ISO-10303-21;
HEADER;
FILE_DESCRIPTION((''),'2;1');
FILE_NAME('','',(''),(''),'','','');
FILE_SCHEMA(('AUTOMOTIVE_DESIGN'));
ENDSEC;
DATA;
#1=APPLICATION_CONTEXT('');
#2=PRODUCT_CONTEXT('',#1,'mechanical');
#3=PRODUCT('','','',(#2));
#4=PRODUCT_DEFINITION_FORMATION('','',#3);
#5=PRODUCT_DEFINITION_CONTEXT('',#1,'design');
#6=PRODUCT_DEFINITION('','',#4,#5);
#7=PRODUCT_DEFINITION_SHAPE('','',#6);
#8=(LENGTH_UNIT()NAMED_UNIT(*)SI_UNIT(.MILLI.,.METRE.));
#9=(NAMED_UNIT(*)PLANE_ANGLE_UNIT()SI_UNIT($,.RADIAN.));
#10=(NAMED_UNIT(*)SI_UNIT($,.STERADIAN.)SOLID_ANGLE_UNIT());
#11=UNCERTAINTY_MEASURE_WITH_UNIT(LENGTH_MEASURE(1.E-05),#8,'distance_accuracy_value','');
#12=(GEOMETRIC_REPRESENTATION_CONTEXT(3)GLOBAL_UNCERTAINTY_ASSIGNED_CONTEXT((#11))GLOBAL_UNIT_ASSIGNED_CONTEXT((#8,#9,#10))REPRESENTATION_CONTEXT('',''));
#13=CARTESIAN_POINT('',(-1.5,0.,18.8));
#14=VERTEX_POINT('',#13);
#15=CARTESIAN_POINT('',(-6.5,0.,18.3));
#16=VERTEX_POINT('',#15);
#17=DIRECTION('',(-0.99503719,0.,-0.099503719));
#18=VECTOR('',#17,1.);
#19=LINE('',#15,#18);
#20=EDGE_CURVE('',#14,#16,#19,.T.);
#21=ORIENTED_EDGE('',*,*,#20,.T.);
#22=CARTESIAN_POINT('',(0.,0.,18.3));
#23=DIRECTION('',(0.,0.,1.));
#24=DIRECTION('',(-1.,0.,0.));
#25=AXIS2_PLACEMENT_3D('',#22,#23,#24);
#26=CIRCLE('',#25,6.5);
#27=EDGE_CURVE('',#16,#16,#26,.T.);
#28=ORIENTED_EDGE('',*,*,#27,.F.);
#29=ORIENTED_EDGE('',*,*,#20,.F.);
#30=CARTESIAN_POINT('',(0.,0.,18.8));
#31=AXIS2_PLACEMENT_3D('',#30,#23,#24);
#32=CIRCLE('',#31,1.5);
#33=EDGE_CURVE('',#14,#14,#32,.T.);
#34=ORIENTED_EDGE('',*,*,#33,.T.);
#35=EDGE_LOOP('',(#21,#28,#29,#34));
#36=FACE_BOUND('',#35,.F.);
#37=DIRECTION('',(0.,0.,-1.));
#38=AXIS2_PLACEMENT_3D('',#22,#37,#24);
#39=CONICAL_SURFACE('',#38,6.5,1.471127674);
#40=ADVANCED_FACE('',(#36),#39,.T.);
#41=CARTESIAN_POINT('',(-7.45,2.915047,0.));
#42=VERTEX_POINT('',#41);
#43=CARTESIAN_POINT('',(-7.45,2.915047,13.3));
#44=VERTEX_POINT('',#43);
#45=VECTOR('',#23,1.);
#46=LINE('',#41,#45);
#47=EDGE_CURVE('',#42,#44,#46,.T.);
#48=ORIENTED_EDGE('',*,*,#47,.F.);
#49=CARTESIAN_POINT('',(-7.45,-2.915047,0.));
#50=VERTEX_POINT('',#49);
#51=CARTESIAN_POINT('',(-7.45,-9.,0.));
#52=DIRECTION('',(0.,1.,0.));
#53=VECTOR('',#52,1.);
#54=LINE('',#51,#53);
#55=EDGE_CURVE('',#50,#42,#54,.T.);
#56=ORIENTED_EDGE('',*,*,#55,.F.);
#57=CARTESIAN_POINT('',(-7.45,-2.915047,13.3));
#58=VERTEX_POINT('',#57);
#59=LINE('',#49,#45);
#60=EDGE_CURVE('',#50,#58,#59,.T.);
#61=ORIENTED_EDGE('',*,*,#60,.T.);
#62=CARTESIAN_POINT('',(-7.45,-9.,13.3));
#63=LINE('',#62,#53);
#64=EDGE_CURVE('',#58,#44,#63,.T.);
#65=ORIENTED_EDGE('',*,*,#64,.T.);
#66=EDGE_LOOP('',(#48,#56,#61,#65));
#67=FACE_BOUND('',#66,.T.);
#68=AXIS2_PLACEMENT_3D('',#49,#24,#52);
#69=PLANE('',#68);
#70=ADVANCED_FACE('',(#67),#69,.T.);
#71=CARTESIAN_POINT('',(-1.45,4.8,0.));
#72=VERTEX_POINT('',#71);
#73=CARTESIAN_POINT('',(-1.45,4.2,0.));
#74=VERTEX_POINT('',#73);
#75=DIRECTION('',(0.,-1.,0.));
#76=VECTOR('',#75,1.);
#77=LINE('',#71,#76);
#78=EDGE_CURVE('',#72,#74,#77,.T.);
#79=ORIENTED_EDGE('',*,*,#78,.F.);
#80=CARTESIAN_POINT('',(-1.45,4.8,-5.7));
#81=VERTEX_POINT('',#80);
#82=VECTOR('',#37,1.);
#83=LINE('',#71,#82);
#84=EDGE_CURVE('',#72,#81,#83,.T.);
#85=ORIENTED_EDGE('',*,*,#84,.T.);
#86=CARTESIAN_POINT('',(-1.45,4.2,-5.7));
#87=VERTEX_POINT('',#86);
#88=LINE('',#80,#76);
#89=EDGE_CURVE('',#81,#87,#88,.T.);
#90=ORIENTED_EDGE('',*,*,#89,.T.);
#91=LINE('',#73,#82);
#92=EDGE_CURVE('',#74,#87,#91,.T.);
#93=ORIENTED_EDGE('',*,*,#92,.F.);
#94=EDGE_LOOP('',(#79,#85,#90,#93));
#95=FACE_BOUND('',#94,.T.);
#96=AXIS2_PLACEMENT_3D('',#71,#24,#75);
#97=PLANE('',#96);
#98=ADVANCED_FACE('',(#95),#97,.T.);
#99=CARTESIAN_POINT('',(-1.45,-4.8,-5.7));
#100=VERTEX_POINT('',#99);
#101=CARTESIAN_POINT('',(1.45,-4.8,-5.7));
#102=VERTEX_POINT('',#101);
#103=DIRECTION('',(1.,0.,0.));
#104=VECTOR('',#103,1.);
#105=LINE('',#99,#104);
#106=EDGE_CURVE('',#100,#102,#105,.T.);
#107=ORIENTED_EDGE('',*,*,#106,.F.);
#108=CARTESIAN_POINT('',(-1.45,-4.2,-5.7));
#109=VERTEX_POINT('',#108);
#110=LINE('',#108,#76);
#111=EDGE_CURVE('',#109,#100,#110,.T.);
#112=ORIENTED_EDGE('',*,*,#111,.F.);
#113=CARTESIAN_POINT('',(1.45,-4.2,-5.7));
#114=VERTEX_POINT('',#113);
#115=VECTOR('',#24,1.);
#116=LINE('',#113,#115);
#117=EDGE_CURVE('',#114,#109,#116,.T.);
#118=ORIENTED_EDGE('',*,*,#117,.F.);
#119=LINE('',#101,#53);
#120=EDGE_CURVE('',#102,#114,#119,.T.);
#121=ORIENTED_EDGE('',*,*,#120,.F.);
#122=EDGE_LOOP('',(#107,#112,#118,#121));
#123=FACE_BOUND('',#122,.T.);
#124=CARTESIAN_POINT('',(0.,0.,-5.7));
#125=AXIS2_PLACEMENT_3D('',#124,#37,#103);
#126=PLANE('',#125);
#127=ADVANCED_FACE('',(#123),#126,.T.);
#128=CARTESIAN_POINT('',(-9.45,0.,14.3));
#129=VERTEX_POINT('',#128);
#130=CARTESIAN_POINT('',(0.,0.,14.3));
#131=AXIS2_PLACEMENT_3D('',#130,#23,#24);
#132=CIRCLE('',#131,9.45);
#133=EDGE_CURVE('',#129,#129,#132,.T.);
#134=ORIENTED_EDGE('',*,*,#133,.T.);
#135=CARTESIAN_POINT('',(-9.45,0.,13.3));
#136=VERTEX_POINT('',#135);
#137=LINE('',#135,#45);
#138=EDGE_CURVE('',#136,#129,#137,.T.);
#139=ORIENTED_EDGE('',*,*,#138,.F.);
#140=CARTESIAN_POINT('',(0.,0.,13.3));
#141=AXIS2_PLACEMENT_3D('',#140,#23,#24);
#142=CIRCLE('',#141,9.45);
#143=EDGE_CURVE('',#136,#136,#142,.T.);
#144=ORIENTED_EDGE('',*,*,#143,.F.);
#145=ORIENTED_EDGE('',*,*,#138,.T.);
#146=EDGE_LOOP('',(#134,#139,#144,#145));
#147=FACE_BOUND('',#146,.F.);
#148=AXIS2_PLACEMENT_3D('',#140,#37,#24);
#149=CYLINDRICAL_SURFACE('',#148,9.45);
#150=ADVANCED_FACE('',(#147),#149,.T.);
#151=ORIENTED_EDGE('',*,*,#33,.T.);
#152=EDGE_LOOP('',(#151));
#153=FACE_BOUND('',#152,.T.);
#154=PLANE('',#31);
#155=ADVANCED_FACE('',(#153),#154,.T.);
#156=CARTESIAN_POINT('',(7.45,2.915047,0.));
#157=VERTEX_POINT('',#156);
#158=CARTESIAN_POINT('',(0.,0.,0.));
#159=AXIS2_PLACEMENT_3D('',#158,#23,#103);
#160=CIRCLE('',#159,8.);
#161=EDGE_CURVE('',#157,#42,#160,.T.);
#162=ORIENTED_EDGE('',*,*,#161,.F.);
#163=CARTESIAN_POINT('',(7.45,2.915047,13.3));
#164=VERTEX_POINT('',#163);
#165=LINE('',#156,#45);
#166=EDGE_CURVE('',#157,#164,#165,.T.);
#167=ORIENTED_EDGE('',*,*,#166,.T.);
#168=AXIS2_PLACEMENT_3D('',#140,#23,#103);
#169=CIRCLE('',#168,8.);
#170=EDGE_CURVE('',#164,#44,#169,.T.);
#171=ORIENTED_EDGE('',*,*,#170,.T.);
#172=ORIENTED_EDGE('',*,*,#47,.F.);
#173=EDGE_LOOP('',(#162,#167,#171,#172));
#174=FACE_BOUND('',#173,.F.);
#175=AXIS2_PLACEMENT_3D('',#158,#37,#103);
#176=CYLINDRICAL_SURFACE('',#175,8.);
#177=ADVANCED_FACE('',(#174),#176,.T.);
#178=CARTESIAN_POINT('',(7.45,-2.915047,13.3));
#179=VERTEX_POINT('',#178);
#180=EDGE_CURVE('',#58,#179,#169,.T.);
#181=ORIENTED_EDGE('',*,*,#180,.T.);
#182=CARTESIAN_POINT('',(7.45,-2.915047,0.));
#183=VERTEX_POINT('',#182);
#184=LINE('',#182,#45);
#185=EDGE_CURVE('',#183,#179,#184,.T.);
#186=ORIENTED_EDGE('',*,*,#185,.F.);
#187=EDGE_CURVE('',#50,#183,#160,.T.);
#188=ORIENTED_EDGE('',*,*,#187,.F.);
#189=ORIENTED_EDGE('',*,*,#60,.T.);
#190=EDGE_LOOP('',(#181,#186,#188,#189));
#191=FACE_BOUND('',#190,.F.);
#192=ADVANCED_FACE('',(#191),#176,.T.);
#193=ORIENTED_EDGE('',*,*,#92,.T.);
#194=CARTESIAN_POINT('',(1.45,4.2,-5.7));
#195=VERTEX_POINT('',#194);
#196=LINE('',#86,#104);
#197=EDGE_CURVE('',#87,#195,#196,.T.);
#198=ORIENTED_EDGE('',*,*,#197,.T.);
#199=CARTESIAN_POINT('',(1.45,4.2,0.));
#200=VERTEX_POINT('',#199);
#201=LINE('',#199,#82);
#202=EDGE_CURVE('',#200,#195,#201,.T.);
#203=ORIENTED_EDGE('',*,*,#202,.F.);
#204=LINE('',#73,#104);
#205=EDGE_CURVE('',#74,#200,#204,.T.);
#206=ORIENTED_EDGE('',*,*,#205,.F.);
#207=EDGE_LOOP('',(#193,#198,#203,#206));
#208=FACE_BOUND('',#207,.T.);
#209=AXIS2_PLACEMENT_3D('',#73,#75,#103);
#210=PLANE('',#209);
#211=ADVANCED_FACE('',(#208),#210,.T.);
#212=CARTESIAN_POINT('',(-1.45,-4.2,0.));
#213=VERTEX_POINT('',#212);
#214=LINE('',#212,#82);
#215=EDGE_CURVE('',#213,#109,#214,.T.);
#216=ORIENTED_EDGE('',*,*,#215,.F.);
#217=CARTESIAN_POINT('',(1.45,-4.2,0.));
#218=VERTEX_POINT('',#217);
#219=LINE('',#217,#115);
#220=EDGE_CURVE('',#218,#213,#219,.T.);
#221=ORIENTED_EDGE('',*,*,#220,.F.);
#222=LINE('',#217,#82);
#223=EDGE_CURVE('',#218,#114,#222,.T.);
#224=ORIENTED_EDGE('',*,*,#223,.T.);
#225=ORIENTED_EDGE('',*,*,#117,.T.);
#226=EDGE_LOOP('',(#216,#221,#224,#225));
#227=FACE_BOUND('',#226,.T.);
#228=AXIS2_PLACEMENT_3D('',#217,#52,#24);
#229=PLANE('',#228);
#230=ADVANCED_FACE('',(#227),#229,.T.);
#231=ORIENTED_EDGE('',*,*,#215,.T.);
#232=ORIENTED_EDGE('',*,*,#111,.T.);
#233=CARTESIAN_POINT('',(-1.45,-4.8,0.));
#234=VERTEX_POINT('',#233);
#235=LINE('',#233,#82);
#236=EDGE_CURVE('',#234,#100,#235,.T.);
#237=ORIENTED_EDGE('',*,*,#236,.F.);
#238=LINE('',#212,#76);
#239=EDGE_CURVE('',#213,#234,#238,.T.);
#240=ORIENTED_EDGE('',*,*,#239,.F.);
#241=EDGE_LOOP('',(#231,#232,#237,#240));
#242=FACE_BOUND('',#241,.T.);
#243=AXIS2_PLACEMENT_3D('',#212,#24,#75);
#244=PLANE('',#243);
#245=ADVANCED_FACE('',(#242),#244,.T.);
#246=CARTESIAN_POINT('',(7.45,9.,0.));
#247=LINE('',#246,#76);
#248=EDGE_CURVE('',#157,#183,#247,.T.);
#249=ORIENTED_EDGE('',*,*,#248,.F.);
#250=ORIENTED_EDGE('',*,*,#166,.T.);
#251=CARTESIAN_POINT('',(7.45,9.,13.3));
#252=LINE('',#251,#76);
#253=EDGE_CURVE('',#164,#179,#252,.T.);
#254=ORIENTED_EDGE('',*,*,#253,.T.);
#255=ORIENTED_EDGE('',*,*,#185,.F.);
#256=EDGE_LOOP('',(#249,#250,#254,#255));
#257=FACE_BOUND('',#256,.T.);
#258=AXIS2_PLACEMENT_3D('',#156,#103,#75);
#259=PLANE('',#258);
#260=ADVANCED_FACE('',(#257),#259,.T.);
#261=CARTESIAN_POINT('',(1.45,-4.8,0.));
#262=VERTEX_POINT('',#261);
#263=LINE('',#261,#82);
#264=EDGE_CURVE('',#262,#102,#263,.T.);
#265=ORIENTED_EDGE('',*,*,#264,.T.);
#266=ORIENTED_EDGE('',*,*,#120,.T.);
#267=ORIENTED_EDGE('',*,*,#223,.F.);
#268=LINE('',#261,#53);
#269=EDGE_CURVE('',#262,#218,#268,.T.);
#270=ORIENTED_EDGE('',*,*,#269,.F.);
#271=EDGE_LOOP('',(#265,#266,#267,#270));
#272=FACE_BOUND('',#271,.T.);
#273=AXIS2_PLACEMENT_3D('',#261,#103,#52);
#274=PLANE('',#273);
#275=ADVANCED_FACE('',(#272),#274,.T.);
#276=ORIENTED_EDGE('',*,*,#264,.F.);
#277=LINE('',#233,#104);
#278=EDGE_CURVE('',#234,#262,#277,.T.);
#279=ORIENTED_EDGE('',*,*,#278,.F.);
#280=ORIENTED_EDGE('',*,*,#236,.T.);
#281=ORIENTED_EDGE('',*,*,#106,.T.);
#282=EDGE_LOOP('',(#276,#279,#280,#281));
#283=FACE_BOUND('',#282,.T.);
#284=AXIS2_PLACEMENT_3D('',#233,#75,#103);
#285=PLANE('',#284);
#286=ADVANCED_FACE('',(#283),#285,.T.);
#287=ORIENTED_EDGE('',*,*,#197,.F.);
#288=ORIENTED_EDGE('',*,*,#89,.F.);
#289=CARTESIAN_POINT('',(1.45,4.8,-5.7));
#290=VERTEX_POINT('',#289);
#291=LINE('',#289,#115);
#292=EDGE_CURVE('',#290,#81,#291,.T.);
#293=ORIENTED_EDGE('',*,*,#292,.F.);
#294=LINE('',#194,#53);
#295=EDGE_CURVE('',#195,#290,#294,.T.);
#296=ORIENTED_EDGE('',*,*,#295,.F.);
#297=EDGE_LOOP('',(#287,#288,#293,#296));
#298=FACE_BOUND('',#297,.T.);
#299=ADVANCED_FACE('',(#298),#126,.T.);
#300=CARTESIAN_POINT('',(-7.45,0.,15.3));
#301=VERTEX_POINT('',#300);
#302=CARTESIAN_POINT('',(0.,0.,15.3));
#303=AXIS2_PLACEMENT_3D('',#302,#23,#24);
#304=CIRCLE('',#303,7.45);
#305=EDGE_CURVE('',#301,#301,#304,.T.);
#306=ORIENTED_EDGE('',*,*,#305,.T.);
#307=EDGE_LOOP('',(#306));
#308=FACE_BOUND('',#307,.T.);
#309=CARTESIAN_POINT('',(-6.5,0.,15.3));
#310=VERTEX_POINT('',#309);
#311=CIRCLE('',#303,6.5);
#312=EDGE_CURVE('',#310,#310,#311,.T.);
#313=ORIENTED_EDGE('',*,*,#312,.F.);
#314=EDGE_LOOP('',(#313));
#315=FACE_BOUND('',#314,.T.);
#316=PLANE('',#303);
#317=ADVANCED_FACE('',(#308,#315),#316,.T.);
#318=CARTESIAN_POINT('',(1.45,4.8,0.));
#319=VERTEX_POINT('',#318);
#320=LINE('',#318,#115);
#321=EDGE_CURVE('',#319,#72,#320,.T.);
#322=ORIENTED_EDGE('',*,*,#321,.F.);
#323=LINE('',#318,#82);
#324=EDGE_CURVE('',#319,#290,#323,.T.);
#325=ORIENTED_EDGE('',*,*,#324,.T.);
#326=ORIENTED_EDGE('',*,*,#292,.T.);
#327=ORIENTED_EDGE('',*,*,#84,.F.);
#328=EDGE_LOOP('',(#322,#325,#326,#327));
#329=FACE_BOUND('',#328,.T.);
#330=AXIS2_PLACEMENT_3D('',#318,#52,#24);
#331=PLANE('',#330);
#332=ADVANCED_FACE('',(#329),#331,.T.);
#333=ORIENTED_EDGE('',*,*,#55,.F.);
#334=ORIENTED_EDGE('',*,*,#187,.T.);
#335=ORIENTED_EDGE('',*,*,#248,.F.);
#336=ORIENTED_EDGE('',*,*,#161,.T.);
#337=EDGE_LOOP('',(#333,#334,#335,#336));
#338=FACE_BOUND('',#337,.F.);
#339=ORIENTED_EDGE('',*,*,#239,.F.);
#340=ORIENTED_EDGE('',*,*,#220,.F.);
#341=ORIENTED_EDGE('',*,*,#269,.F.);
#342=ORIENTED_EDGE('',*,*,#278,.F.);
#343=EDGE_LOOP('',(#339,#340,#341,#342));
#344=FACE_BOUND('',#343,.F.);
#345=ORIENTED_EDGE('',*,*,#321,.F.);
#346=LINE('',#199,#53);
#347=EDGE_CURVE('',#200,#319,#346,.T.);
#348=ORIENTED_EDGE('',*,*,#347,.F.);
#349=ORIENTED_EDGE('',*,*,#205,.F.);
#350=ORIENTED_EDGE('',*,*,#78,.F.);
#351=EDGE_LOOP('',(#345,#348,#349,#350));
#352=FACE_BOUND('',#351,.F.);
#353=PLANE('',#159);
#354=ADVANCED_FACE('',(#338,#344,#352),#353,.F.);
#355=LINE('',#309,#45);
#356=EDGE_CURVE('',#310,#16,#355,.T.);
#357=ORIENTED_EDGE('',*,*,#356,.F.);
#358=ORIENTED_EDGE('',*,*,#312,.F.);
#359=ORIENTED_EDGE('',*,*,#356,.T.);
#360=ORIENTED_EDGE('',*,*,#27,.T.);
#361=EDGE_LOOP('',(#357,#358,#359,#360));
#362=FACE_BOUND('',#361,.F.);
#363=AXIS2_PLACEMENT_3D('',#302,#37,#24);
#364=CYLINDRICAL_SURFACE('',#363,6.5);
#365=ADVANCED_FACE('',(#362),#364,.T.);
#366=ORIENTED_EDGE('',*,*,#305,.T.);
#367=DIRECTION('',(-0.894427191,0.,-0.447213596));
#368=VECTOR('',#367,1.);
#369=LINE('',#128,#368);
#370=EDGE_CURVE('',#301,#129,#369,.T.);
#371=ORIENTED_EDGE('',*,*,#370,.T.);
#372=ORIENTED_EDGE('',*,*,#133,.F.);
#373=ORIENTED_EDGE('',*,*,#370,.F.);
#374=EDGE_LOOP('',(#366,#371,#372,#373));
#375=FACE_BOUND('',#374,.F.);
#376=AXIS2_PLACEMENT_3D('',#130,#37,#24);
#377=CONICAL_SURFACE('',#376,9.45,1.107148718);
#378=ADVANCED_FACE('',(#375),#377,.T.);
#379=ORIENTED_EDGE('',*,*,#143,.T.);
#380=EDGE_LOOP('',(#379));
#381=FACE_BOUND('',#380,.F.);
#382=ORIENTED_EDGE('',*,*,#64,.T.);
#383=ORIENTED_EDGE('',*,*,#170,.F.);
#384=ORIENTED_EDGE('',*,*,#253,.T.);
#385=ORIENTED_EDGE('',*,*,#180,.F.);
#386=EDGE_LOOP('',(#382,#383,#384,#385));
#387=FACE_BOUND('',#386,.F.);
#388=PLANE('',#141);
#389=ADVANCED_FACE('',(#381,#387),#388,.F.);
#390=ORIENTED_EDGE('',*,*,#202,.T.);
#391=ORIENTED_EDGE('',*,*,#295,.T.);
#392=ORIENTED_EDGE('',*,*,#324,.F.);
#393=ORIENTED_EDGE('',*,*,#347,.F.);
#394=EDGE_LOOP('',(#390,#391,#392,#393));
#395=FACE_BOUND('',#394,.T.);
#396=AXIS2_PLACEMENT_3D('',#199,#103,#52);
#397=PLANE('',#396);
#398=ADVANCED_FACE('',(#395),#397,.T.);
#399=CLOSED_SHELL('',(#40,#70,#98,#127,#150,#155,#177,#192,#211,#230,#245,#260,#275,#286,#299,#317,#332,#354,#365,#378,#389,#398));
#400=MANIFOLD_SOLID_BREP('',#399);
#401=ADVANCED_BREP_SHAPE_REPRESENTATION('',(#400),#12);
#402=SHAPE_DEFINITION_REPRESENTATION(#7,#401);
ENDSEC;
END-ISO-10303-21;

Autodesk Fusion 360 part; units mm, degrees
sketch "Sketch1" plane through (0, 0, 0) normal (0, 0, 1) x (1, 0, 0)
  circle A0 centre (0, 0) radius 8
  line L0 (7.45, -9) -> (-7.45, -9)
  line L1 (-7.45, -9) -> (-7.45, 9)
  line L2 (-7.45, 9) -> (7.45, 9)
  line L3 (7.45, 9) -> (7.45, -9)
  line L4 (7.45, -9) -> (-7.45, 9) construction
  line L5 (-7.45, -9) -> (7.45, 9) construction
  dimension "d1" = 16
  dimension "d2" = 14.9
extrude "Extrude1" add sketch "Sketch1" along normal blind 13.3 contours A0 L1 L3
sketch "Sketch2" plane through (0, 0, 13.3) normal (0, 0, 1) x (-1, 0, 0)
  arc A0 (7.45, 2.915) -> (-7.45, 2.915) centre (0, 0) ccw
  line L0 (-7.45, 2.915) -> (-7.45, -2.915)
  arc A1 (-7.45, -2.915) -> (7.45, -2.915) centre (0, 0) ccw
  line L1 (7.45, -2.915) -> (7.45, 2.915)
  circle A2 centre (0, 0) radius 9.45
  dimension "d5" = 18.9
extrude "Extrude2" add sketch "Sketch2" along normal blind 2 contours A0 L0 A1 L1 | A2
chamfer "Chamfer1" distance 2 distance2 1 1 edges at (8.8105, 3.4173, 15.3) measured on face at (-3.5181, 1.5655, 15.3)
sketch "Sketch3" plane through (0, 0, 15.3) normal (0, 0, 1) x (-1, 0, 0)
  circle A0 centre (0, 0) radius 7.45
  circle A1 centre (0, 0) radius 6.5
  dimension "d10" = 13
extrude "Extrude3" add sketch "Sketch3" along normal blind 3.5 contours A1
chamfer "Chamfer2" distance 5 distance2 0.5 1 edges at (6.0601, 2.3505, 18.8) measured on face at (-1.9521, 0.9401, 18.8)
sketch "Sketch4" plane through (0, 0, 0) normal (0, 0, -1) x (1, 0, 0)
  arc A0 (7.45, 2.915) -> (-7.45, 2.915) centre (0, 0) ccw
  line L0 (-7.45, 2.915) -> (-7.45, -2.915)
  arc A1 (-7.45, -2.915) -> (7.45, -2.915) centre (0, 0) ccw
  line L1 (7.45, -2.915) -> (7.45, 2.915)
  line L2 (0, 8) -> (0, 4.8) construction
  line L3 (0, -8) -> (0, -4.8) construction
  line L4 (0, -4.8) -> (0, -4.2) construction
  line L5 (0, 4.8) -> (0, 4.2) construction
  line L6 (1.45, 4.2) -> (-1.45, 4.2)
  line L7 (-1.45, 4.2) -> (-1.45, 4.8)
  line L8 (-1.45, 4.8) -> (1.45, 4.8)
  line L9 (1.45, 4.8) -> (1.45, 4.2)
  line L10 (1.45, 4.2) -> (-1.45, 4.8) construction
  line L11 (-1.45, 4.2) -> (1.45, 4.8) construction
  line L12 (1.45, -4.8) -> (-1.45, -4.8)
  line L13 (-1.45, -4.8) -> (-1.45, -4.2)
  line L14 (-1.45, -4.2) -> (1.45, -4.2)
  line L15 (1.45, -4.2) -> (1.45, -4.8)
  line L16 (1.45, -4.8) -> (-1.45, -4.2) construction
  line L17 (-1.45, -4.8) -> (1.45, -4.2) construction
  point P0 (0, 4.5)
  point P1 (0, -4.5)
  dimension "d15" = 3.2
  dimension "d16" = 3.2
  dimension "d17" = 0.6
  dimension "d18" = 0.6
  dimension "d19" = 2.9
  dimension "d20" = 0.6
  dimension "d21" = 2.9
  dimension "d22" = 0.6
extrude "Extrude4" add sketch "Sketch4" along normal blind 5.7 contours L6 L7 L8 L9 | L12 L13 L14 L15
